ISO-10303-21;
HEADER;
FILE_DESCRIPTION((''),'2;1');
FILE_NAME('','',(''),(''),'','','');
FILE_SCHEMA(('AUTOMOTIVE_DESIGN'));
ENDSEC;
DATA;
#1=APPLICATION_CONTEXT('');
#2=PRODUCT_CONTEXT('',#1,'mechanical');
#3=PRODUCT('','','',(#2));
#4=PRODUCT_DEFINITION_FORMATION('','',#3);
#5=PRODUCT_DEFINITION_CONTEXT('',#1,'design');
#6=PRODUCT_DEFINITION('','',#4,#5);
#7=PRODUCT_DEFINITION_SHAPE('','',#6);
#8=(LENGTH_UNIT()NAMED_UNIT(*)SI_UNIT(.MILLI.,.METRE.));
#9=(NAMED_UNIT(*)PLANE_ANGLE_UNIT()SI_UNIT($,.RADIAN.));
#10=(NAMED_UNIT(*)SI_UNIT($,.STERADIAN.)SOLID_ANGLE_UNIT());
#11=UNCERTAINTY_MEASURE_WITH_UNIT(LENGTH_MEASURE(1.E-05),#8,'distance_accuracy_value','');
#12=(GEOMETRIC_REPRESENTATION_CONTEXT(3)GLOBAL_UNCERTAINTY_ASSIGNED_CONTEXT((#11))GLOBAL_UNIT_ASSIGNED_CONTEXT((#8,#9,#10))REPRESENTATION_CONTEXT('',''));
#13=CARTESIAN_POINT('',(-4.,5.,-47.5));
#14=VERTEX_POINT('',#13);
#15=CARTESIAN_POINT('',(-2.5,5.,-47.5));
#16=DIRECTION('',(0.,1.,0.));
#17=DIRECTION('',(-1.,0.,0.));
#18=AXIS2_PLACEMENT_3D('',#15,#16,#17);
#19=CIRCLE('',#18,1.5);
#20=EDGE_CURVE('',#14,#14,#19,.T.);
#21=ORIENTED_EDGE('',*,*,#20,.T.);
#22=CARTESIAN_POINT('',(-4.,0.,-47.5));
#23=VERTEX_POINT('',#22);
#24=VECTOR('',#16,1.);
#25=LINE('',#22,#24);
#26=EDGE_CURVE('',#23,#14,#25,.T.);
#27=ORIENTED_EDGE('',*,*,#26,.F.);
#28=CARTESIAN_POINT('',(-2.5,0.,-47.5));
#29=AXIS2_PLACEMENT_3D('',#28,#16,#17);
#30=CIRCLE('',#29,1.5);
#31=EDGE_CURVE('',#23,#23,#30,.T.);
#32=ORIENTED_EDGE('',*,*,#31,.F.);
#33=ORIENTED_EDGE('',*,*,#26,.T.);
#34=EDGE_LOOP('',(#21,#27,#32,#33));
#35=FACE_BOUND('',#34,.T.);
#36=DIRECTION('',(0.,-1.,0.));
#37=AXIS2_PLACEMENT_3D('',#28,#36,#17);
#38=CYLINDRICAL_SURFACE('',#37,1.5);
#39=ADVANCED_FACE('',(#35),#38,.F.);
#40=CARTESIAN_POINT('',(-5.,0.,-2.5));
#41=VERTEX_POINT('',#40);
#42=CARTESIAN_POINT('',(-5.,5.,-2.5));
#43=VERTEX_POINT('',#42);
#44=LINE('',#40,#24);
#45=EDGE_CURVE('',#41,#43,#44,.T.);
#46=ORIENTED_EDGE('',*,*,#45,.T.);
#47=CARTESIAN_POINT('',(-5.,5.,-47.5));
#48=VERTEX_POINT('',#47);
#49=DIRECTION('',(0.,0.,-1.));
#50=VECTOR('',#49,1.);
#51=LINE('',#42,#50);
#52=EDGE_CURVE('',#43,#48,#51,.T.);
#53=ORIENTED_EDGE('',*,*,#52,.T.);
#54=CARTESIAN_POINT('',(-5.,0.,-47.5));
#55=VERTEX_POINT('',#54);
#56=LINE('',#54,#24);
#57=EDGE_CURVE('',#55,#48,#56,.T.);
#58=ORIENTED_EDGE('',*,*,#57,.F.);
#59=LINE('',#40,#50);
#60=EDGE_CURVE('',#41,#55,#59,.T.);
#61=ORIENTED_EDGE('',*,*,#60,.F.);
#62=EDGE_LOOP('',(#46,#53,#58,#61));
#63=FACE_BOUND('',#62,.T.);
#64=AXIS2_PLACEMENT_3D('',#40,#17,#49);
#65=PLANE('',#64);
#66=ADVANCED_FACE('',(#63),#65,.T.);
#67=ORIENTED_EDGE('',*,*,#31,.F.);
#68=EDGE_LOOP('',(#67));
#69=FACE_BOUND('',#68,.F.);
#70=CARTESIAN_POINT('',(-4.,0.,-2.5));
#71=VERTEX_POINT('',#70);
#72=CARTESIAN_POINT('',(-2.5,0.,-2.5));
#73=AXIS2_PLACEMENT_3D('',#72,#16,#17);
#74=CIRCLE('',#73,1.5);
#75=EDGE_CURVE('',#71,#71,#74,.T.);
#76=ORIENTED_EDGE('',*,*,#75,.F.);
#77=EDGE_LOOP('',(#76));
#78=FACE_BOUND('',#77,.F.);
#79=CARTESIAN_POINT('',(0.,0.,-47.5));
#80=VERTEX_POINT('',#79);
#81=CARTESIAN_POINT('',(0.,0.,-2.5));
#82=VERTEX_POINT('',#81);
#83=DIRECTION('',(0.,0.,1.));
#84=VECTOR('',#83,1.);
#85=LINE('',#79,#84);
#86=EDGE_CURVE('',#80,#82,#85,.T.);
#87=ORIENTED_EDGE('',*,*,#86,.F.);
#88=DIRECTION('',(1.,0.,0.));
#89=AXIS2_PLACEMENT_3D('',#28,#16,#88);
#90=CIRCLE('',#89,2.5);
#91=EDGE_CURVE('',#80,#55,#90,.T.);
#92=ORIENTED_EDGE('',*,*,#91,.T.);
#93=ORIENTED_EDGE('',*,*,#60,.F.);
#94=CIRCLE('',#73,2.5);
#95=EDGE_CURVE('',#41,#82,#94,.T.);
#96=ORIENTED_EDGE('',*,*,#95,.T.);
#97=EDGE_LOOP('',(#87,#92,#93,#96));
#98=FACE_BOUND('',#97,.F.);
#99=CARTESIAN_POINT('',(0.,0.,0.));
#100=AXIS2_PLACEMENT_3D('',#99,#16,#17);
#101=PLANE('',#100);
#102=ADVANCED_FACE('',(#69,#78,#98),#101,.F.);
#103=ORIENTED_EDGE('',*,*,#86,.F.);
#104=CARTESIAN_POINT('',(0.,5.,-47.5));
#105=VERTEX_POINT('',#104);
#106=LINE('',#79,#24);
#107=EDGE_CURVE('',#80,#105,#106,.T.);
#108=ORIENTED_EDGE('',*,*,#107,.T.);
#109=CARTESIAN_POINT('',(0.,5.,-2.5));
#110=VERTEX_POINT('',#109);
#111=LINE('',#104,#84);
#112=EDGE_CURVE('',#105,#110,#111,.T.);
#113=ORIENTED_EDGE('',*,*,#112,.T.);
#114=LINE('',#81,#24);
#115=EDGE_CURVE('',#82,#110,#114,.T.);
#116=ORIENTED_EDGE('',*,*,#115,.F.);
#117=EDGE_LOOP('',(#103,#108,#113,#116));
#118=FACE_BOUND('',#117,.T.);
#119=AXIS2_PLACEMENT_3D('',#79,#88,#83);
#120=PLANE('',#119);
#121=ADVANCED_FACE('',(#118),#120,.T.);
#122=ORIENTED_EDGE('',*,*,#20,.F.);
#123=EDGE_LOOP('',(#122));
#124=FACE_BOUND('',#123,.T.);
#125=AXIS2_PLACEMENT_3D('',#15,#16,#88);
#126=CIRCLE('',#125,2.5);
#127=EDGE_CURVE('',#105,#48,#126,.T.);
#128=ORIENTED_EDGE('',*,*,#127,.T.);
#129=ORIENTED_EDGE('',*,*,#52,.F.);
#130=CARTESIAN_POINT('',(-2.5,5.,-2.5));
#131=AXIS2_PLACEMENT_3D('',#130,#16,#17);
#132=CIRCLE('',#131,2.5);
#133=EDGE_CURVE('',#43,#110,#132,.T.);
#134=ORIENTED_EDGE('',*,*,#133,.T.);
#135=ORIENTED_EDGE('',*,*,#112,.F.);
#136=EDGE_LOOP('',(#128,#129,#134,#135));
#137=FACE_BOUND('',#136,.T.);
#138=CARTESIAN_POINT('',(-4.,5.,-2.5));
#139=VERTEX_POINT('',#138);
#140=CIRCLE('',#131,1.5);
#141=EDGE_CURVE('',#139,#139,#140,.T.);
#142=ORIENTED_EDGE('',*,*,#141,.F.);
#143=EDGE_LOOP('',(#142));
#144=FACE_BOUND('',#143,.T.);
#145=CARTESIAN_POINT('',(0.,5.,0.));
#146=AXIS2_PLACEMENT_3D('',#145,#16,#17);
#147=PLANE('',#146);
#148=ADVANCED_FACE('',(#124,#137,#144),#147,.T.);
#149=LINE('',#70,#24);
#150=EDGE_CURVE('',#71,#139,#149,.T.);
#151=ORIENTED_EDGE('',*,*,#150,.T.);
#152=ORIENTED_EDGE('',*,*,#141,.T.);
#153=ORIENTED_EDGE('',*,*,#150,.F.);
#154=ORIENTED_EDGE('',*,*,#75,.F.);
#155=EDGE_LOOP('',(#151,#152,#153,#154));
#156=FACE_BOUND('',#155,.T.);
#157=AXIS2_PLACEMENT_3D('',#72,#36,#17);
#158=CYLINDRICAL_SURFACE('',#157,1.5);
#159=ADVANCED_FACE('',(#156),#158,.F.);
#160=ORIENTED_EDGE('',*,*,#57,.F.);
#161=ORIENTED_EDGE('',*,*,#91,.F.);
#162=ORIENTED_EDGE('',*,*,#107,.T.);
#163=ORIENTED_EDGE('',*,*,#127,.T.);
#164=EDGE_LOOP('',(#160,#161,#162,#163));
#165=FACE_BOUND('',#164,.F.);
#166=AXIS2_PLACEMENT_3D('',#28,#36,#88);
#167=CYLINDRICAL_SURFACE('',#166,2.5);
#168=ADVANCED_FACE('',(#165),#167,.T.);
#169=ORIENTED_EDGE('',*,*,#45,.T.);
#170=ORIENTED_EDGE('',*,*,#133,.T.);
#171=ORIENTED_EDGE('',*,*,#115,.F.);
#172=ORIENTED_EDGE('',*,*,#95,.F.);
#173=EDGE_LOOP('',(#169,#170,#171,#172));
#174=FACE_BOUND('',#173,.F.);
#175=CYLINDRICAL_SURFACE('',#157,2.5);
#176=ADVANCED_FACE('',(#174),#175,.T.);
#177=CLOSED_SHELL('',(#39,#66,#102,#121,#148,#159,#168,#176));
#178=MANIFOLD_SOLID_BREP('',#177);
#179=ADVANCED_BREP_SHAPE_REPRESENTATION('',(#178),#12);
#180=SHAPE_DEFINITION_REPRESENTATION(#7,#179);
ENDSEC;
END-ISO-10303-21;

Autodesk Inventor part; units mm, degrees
ref_plane "YZ Plane" through (0, 0, 0) normal (1, 0, 0) x (0, 1, 0)
ref_plane "XZ Plane" through (0, 0, 0) normal (0, 1, 0) x (-1, 0, 0)
ref_plane "XY Plane" through (0, 0, 0) normal (0, 0, 1) x (1, 0, 0)
sketch "Sketch1" plane through (0, 0, 0) normal (0, 1, 0) x (-1, 0, 0)
  line L0 (5, -2.5) -> (5, -47.5)
  line L1 (0, -47.5) -> (0, -2.5)
  arc A0 (5, -2.5) -> (0, -2.5) centre (2.5, -2.5) ccw
  arc A1 (0, -47.5) -> (5, -47.5) centre (2.5, -47.5) ccw
  circle A2 centre (2.5, -2.5) radius 1.5
  circle A3 centre (2.5, -47.5) radius 1.5
  point P0 (0, 0)
  dimension "d2" = 3
  dimension "d3" = 3
extrude "Extrusion1" add sketch "Sketch1" along normal blind 5
properties part number "gripper1"
